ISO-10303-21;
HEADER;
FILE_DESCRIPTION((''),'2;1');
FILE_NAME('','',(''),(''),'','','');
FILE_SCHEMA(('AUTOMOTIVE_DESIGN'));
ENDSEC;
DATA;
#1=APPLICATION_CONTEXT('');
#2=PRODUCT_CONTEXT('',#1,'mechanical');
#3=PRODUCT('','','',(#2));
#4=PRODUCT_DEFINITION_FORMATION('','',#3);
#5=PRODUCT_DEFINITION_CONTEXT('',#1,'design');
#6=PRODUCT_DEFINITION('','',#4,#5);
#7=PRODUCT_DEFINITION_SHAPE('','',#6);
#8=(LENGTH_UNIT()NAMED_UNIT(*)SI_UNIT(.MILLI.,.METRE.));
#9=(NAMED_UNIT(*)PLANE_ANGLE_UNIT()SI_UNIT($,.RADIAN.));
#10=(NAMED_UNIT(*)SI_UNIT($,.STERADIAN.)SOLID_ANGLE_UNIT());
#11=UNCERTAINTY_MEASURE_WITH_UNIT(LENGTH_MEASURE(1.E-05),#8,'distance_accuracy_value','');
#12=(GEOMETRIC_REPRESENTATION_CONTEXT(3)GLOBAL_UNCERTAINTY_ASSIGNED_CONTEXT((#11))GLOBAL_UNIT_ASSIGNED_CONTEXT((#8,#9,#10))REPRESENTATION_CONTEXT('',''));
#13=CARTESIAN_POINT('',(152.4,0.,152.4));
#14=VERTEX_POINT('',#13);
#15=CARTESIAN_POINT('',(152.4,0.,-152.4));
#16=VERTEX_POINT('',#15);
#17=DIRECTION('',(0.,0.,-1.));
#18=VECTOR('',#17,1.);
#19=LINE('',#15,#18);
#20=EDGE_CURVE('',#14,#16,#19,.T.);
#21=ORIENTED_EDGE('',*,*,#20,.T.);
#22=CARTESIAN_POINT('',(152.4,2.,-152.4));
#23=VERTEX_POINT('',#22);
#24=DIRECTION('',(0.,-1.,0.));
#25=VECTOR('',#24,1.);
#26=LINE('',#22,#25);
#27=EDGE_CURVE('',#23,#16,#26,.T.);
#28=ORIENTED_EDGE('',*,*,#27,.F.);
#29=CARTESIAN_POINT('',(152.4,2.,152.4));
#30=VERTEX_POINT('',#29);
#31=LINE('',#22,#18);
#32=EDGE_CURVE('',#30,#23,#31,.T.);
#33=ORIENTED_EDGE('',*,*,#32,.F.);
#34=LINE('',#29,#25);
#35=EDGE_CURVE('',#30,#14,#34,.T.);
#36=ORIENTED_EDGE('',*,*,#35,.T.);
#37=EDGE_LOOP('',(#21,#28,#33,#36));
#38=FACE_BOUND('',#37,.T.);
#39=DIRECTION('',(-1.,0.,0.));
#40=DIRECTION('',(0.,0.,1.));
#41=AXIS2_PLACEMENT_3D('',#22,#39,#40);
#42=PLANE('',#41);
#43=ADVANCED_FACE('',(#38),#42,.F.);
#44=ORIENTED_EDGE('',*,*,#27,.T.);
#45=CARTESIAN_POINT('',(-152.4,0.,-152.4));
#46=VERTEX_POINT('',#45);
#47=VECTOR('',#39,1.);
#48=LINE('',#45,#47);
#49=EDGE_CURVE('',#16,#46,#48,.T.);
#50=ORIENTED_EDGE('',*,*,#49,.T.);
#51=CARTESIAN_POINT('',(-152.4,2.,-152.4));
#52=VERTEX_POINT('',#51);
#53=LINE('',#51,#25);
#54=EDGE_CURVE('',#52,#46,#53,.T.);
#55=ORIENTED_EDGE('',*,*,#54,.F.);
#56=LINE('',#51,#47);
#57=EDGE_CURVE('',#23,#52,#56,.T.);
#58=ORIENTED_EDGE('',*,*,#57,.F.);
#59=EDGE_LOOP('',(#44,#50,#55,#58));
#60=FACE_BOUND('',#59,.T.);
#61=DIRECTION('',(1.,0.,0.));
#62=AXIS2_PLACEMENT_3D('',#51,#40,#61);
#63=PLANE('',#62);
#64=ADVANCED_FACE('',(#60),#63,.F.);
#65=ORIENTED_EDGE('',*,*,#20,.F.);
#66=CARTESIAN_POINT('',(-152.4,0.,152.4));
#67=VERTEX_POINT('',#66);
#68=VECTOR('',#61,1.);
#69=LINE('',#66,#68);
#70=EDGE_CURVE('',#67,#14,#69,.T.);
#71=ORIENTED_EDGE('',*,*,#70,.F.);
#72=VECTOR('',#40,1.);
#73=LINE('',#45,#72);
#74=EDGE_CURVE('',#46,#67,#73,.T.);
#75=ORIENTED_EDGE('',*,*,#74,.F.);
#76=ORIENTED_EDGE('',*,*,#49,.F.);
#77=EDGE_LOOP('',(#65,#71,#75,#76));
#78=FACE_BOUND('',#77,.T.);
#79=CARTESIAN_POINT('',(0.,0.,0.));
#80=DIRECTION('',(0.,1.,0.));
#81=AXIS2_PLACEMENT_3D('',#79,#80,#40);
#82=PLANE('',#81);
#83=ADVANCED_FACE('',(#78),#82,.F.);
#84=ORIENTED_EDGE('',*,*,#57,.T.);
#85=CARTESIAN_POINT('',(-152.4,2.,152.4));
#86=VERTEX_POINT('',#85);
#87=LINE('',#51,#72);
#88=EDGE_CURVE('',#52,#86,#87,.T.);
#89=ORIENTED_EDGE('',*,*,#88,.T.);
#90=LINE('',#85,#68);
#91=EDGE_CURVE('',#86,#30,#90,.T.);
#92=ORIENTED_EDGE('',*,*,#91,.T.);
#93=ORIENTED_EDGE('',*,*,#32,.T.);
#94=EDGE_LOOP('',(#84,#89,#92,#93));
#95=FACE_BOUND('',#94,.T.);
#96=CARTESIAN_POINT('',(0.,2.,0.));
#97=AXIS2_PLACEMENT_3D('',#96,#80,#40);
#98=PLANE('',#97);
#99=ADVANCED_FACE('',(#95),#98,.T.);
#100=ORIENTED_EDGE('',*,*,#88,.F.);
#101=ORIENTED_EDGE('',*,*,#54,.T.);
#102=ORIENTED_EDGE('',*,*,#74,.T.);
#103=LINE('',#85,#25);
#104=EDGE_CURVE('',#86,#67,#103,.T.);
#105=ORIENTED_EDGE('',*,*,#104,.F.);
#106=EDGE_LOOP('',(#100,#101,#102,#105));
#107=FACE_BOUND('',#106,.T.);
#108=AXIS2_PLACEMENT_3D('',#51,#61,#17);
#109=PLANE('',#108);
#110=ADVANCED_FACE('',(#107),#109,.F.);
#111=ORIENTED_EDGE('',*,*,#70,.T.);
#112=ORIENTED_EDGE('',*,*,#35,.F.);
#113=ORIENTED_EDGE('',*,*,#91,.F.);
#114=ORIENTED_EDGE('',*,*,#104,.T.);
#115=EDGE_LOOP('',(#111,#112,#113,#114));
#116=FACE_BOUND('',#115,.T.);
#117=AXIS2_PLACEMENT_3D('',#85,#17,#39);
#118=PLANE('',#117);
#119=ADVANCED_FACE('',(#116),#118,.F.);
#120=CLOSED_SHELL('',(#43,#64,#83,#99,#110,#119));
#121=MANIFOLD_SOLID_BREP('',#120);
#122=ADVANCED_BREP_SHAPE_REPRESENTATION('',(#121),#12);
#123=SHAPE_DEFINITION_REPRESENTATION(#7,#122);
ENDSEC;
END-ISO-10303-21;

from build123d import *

# Parameters (mm, degrees)
SKETCH1_W           = 304.8
SKETCH1_H           = 304.8
BOSS_EXTRUDE1_DEPTH = 2


with BuildPart() as part:
    # Sketch1 → Boss-Extrude1 (new body)
    with BuildSketch(Plane(origin=(0, 0, 0), x_dir=(1, 0, 0), z_dir=(0, 1, 0))):
        Rectangle(SKETCH1_W, SKETCH1_H)
    extrude(amount=BOSS_EXTRUDE1_DEPTH)


solid = part.part
